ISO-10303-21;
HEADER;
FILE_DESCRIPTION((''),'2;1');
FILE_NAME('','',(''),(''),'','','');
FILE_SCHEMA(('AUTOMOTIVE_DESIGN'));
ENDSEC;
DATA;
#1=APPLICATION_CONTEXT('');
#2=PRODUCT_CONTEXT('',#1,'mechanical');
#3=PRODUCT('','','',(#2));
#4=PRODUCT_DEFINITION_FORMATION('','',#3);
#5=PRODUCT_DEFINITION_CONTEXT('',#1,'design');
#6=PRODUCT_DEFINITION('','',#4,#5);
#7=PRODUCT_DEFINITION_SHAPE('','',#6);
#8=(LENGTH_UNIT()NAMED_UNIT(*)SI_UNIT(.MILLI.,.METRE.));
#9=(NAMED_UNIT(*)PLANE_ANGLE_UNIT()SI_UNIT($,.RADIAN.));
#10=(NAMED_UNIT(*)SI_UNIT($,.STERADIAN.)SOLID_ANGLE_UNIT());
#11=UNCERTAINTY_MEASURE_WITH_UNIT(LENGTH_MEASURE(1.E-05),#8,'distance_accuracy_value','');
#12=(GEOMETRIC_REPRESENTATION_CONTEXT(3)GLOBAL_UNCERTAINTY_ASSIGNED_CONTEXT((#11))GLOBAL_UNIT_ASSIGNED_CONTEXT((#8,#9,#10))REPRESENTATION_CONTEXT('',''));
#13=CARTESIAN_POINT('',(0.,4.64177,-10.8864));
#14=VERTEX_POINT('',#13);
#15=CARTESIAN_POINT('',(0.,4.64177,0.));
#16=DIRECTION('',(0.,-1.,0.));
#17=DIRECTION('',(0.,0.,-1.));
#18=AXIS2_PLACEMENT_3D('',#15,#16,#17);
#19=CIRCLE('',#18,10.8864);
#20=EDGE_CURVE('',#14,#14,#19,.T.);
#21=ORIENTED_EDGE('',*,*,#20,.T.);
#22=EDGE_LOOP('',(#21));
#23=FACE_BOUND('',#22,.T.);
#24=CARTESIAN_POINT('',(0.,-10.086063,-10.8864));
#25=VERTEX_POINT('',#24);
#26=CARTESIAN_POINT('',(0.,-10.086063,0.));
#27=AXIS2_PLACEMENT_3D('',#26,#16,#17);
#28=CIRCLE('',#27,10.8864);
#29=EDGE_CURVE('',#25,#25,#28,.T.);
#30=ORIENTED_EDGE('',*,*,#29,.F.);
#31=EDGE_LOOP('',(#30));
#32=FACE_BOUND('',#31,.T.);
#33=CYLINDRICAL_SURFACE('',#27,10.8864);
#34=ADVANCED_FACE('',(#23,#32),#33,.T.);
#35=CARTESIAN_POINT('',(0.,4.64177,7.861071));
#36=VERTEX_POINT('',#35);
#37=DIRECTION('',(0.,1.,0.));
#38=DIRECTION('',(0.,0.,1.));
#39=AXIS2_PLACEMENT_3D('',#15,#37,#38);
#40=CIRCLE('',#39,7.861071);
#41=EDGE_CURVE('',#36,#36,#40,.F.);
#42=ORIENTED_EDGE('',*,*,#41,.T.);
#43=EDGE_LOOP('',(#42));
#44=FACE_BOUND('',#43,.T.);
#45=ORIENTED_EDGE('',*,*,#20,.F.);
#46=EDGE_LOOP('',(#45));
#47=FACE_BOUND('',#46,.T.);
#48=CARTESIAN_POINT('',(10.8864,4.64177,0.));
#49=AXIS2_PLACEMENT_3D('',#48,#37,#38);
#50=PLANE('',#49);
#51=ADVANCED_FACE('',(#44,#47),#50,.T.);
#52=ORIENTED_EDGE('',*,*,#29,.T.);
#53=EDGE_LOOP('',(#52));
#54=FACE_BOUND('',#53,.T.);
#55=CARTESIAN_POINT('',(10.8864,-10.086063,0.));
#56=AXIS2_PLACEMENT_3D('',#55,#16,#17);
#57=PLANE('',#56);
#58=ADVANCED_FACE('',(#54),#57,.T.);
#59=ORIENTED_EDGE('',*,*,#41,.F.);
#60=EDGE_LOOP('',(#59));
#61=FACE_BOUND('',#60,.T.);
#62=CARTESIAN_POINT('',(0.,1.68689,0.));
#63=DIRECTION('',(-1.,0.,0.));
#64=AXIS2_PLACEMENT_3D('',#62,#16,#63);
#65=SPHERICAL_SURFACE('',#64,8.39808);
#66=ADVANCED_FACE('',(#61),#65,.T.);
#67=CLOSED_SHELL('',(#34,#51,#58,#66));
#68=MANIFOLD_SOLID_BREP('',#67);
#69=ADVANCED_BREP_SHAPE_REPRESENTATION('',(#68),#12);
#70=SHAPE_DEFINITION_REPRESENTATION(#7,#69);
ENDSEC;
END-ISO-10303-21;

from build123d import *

# Parameters (mm, degrees)
SKETCH_2_W    = 5.6
SKETCH_2_H    = 7.57604586
SCALE_1_SCALE = 2.7
SCALE_2_SCALE = 0.72


with BuildPart() as part:
    # Sketch 1 → 旋转2 (revolve)
    with BuildSketch(Plane.XY):
        with BuildLine():
            Line((0, 4.32), (0, -4.32))
            ThreePointArc((0, -4.32), (4.32, 0), (0, 4.32))
        make_face()
    revolve(axis=Axis((0, 0, 0), (0, 1, 0)))

    # 草图2 → 旋转3 (revolve)
    with BuildSketch(Plane.XY, mode=Mode.PRIVATE) as revolve_3_sk:
        with Locations((2.8, -2.26802293)):
            Rectangle(SKETCH_2_W, SKETCH_2_H)
    revolve(revolve_3_sk.sketch.rotate(Axis((0, -6.05604586, 0), (0, 1, 0)), 180), axis=Axis((0, -6.05604586, 0), (0, 1, 0)))


with BuildPart() as part_1:
    # Масштаб1: scaled about (0, -1.786959448, 0)
    add(part.part.scale(SCALE_1_SCALE).moved(Location((0, 3.037831062, 0))))


with BuildPart() as part_2:
    # Масштаб2: scaled about (0, -1.786959449, 0)
    add(part_1.part.scale(SCALE_2_SCALE).moved(Location((0, -0.500348646, 0))))


solid = part_2.part
